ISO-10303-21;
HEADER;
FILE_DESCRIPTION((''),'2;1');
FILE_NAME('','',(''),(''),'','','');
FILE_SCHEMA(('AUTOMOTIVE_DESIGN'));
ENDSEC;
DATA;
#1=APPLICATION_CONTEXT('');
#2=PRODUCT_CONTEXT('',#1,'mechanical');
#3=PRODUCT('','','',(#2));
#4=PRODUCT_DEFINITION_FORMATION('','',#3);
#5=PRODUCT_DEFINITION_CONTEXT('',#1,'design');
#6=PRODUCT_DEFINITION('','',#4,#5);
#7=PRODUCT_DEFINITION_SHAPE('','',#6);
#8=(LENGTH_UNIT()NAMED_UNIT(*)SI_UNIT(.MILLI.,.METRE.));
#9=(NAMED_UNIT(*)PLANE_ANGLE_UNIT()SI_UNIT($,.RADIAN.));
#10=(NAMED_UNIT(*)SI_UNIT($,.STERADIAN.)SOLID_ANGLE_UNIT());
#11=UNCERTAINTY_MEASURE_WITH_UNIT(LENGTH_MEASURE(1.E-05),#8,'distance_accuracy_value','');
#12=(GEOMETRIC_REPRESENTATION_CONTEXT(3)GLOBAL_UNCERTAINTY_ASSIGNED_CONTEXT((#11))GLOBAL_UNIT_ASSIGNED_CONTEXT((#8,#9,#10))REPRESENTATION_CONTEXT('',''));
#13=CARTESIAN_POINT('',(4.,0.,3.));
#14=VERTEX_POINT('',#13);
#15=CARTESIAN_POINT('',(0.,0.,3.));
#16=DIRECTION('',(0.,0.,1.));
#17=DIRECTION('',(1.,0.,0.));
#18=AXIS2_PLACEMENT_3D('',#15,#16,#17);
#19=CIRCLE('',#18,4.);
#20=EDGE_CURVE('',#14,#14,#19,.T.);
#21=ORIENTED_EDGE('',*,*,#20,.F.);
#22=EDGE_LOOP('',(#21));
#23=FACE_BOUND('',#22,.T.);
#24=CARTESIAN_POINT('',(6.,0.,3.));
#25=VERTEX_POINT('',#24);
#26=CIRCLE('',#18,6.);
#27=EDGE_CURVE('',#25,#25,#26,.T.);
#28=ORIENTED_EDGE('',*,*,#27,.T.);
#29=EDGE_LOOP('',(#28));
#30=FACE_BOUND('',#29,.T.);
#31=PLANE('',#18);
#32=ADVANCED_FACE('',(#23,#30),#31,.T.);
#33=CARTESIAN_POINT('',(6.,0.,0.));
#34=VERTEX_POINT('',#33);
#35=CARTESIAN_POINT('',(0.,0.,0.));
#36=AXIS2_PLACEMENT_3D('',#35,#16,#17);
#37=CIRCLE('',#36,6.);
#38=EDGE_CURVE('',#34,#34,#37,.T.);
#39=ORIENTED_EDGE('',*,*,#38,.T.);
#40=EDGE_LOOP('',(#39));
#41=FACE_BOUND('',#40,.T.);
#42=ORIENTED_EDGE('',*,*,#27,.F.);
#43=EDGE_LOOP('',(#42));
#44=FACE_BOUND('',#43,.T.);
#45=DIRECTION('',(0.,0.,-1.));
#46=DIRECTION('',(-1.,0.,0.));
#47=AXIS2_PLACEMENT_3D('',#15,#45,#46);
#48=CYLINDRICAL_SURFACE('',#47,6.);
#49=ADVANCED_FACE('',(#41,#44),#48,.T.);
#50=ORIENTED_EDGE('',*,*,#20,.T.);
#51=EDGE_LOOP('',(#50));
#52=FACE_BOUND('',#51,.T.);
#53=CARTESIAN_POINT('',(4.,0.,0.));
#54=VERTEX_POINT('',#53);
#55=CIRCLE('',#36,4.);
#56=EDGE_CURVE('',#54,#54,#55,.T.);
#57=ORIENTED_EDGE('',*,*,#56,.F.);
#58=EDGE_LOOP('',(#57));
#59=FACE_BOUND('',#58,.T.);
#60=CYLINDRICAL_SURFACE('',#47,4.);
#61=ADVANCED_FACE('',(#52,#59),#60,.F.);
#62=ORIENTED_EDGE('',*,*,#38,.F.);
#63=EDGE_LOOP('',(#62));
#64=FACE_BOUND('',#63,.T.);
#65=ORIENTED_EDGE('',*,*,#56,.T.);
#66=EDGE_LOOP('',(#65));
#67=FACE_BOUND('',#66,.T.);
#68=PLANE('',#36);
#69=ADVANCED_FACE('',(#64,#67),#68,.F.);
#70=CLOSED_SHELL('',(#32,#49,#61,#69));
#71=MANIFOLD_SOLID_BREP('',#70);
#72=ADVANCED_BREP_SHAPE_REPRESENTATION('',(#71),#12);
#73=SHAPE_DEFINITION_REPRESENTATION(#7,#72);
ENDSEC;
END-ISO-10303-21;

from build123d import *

# Parameters (mm, degrees)
SKETCH1_R           = 6
SKETCH1_R_2         = 4
BOSS_EXTRUDE1_DEPTH = 3


with BuildPart() as part:
    # Sketch1 → Boss-Extrude1 (new body)
    with BuildSketch(Plane.XY):
        Circle(SKETCH1_R)
        Circle(SKETCH1_R_2, mode=Mode.SUBTRACT)
    extrude(amount=BOSS_EXTRUDE1_DEPTH)


solid = part.part
